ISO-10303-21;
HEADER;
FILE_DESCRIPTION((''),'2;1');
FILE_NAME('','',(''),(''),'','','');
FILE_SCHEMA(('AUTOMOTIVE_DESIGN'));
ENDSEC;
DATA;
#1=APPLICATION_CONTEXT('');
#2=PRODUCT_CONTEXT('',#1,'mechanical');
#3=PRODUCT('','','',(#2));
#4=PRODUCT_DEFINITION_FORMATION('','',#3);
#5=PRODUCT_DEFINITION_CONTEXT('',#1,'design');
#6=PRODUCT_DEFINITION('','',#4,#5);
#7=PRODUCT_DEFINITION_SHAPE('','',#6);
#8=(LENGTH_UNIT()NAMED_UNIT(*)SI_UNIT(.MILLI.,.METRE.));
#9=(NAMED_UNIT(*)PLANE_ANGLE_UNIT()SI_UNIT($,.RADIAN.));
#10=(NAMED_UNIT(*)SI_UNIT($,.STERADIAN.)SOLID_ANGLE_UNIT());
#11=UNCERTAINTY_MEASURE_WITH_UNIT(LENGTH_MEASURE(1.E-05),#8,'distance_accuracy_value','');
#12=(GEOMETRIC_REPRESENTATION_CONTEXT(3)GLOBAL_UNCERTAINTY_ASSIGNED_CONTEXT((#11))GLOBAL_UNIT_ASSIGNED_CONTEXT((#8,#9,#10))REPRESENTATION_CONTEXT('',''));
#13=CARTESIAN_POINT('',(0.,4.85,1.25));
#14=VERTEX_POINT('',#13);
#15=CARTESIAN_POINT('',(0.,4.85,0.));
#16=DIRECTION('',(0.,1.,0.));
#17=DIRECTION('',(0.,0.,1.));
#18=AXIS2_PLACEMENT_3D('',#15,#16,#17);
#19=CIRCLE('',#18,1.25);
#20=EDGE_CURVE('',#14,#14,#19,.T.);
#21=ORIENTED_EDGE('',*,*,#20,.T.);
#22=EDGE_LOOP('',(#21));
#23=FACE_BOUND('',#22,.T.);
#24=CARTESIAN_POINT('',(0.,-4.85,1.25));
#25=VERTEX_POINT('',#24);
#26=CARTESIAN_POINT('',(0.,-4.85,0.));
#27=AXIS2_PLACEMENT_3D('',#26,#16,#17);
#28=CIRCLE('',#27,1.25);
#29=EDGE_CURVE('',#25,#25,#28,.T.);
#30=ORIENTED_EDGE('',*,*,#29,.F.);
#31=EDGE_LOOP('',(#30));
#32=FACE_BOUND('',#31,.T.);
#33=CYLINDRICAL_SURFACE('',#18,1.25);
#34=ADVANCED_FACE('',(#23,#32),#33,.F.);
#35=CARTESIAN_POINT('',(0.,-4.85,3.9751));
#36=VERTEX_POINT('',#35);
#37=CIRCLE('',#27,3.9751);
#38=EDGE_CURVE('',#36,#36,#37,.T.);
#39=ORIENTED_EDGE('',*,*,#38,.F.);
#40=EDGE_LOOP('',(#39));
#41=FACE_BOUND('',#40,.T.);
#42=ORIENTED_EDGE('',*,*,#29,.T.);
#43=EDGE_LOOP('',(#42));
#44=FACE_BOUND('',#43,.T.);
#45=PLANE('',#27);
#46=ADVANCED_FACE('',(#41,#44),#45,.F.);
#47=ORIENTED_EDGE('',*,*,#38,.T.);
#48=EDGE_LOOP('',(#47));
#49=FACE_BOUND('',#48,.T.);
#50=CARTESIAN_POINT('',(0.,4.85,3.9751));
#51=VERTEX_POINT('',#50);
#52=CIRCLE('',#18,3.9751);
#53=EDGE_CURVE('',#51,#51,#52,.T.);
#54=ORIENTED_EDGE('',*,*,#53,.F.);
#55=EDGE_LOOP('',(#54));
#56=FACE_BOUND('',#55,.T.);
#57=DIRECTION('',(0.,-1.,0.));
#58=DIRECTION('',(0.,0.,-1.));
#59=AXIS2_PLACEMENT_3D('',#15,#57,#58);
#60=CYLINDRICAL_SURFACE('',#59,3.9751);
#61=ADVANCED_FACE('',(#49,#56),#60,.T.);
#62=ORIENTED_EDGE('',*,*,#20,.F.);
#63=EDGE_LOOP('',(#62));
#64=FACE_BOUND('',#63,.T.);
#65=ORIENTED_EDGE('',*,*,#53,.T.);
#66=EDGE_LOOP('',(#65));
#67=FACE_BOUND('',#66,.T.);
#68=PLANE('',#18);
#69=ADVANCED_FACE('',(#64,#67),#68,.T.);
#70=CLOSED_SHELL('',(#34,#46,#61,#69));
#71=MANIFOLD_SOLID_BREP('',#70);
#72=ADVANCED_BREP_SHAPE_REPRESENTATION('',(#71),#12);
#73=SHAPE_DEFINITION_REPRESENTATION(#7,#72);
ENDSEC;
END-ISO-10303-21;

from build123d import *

# Parameters (mm, degrees)
SKETCH2_R             = 3.9751
BOSS_EXTRUDE1_DEPTH   = 4.85
M3X0_5_TAPPED_HOLE1_D = 2.5


with BuildPart() as part:
    # Sketch2 → Boss-Extrude1 (new body, symmetric)
    with BuildSketch(Plane(origin=(0, 0, 0), x_dir=(1, 0, 0), z_dir=(0, 1, 0))):
        Circle(SKETCH2_R)
    extrude(amount=BOSS_EXTRUDE1_DEPTH, both=True)

    # M3x0.5 Tapped Hole1 (through all)
    with Locations(Plane(origin=(0, 4.85, 0), x_dir=(1, 0, 0), z_dir=(0, 1, 0))):
        with Locations((0, 0)):
            Hole(M3X0_5_TAPPED_HOLE1_D / 2)


solid = part.part
